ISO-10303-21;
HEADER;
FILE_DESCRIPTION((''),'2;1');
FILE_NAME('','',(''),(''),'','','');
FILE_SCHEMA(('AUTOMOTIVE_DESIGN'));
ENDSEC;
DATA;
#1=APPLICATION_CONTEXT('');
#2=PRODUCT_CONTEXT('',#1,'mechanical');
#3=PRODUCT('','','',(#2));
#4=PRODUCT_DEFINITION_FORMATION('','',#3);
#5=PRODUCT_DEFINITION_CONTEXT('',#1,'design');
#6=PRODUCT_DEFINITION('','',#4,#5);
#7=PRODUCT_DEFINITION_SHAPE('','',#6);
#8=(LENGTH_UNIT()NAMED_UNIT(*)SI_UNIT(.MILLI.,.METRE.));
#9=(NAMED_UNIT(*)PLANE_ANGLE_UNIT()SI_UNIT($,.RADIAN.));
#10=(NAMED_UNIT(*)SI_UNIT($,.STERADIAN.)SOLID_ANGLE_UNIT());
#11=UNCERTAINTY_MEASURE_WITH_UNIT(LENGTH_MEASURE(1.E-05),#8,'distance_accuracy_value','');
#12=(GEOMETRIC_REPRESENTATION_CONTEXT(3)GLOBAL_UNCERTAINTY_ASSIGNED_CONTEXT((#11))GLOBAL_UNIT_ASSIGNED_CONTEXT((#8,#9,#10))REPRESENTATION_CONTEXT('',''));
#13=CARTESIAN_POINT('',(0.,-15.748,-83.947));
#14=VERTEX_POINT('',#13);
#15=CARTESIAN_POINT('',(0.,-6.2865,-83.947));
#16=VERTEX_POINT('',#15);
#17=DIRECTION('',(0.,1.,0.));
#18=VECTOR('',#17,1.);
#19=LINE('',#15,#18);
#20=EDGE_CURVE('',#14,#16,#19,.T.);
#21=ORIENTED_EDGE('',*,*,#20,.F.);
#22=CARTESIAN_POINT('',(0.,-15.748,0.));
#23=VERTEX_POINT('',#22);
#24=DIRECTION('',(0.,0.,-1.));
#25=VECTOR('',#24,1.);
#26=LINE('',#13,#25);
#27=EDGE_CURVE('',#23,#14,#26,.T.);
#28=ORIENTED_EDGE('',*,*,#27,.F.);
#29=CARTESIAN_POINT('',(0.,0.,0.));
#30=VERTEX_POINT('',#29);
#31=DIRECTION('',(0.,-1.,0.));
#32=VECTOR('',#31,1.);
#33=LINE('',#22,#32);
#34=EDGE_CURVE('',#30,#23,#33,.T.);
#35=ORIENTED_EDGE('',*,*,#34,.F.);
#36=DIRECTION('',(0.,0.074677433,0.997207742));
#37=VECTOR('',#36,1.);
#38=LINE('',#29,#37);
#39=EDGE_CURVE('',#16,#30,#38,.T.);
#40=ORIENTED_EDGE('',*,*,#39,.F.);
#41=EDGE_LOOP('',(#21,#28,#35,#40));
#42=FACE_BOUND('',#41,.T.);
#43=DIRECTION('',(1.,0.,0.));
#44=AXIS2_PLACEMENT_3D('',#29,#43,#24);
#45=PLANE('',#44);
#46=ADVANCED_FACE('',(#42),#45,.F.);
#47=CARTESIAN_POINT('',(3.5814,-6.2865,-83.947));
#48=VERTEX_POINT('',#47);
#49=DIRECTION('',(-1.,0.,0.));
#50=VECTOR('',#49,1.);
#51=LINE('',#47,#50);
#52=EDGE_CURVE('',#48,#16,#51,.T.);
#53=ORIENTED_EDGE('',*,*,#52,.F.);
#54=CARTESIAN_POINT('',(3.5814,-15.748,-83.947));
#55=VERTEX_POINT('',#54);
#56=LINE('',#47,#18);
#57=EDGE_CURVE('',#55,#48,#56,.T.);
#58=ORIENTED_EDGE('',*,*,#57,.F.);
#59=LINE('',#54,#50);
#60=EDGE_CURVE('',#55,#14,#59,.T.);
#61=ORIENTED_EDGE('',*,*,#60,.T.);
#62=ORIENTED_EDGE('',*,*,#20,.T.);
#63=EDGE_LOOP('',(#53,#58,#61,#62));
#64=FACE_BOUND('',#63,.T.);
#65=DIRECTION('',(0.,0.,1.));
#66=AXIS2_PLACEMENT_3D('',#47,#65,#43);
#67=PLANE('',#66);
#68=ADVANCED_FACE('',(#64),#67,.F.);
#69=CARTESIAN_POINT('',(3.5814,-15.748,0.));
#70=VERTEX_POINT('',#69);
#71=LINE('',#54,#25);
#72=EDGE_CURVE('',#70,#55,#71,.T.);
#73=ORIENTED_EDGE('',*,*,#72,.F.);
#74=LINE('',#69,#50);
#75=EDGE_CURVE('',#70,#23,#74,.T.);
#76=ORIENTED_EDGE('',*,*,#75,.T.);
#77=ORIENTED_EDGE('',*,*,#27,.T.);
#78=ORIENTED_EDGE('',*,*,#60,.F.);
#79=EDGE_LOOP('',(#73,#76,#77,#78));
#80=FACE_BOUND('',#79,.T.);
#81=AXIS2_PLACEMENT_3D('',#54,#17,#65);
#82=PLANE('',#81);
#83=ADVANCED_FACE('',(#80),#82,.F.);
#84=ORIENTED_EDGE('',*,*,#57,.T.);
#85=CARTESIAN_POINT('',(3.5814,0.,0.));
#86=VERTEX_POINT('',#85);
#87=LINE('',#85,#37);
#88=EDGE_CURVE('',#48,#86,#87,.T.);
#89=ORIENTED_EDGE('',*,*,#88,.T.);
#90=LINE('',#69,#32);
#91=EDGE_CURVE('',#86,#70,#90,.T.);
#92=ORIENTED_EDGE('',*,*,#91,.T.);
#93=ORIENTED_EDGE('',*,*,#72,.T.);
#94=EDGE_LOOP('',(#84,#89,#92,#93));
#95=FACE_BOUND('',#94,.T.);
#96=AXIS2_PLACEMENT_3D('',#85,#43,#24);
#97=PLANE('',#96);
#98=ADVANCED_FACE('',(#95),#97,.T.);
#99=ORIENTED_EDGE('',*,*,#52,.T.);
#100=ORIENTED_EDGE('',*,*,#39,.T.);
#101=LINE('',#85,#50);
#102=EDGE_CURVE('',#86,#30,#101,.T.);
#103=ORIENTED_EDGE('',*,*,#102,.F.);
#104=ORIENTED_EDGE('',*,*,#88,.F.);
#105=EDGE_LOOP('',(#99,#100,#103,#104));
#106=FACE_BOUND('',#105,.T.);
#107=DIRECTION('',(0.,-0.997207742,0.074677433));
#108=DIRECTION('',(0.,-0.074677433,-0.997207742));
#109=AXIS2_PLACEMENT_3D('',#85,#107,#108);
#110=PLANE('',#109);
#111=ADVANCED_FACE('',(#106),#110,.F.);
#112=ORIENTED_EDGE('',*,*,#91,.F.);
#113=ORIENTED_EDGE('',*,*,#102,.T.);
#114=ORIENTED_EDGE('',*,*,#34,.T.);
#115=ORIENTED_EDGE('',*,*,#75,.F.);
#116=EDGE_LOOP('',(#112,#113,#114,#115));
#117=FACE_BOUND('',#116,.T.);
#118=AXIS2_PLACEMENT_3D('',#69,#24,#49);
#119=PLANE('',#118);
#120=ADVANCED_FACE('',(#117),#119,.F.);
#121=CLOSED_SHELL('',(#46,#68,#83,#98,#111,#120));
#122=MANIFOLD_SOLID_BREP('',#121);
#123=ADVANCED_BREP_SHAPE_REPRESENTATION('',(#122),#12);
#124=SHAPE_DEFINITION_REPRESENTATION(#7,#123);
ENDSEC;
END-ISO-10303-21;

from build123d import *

# Parameters (mm, degrees)
BOSS_EXTRUDE1_DEPTH = 3.5814


with BuildPart() as part:
    # Sketch1 → Boss-Extrude1 (new body)
    with BuildSketch(Plane(origin=(0, 0, 0), x_dir=(0, 0, -1), z_dir=(1, 0, 0))):
        Polygon((0, 0), (83.947, -6.2865), (83.947, -15.748), (0, -15.748), align=None)
    extrude(amount=BOSS_EXTRUDE1_DEPTH)


solid = part.part
